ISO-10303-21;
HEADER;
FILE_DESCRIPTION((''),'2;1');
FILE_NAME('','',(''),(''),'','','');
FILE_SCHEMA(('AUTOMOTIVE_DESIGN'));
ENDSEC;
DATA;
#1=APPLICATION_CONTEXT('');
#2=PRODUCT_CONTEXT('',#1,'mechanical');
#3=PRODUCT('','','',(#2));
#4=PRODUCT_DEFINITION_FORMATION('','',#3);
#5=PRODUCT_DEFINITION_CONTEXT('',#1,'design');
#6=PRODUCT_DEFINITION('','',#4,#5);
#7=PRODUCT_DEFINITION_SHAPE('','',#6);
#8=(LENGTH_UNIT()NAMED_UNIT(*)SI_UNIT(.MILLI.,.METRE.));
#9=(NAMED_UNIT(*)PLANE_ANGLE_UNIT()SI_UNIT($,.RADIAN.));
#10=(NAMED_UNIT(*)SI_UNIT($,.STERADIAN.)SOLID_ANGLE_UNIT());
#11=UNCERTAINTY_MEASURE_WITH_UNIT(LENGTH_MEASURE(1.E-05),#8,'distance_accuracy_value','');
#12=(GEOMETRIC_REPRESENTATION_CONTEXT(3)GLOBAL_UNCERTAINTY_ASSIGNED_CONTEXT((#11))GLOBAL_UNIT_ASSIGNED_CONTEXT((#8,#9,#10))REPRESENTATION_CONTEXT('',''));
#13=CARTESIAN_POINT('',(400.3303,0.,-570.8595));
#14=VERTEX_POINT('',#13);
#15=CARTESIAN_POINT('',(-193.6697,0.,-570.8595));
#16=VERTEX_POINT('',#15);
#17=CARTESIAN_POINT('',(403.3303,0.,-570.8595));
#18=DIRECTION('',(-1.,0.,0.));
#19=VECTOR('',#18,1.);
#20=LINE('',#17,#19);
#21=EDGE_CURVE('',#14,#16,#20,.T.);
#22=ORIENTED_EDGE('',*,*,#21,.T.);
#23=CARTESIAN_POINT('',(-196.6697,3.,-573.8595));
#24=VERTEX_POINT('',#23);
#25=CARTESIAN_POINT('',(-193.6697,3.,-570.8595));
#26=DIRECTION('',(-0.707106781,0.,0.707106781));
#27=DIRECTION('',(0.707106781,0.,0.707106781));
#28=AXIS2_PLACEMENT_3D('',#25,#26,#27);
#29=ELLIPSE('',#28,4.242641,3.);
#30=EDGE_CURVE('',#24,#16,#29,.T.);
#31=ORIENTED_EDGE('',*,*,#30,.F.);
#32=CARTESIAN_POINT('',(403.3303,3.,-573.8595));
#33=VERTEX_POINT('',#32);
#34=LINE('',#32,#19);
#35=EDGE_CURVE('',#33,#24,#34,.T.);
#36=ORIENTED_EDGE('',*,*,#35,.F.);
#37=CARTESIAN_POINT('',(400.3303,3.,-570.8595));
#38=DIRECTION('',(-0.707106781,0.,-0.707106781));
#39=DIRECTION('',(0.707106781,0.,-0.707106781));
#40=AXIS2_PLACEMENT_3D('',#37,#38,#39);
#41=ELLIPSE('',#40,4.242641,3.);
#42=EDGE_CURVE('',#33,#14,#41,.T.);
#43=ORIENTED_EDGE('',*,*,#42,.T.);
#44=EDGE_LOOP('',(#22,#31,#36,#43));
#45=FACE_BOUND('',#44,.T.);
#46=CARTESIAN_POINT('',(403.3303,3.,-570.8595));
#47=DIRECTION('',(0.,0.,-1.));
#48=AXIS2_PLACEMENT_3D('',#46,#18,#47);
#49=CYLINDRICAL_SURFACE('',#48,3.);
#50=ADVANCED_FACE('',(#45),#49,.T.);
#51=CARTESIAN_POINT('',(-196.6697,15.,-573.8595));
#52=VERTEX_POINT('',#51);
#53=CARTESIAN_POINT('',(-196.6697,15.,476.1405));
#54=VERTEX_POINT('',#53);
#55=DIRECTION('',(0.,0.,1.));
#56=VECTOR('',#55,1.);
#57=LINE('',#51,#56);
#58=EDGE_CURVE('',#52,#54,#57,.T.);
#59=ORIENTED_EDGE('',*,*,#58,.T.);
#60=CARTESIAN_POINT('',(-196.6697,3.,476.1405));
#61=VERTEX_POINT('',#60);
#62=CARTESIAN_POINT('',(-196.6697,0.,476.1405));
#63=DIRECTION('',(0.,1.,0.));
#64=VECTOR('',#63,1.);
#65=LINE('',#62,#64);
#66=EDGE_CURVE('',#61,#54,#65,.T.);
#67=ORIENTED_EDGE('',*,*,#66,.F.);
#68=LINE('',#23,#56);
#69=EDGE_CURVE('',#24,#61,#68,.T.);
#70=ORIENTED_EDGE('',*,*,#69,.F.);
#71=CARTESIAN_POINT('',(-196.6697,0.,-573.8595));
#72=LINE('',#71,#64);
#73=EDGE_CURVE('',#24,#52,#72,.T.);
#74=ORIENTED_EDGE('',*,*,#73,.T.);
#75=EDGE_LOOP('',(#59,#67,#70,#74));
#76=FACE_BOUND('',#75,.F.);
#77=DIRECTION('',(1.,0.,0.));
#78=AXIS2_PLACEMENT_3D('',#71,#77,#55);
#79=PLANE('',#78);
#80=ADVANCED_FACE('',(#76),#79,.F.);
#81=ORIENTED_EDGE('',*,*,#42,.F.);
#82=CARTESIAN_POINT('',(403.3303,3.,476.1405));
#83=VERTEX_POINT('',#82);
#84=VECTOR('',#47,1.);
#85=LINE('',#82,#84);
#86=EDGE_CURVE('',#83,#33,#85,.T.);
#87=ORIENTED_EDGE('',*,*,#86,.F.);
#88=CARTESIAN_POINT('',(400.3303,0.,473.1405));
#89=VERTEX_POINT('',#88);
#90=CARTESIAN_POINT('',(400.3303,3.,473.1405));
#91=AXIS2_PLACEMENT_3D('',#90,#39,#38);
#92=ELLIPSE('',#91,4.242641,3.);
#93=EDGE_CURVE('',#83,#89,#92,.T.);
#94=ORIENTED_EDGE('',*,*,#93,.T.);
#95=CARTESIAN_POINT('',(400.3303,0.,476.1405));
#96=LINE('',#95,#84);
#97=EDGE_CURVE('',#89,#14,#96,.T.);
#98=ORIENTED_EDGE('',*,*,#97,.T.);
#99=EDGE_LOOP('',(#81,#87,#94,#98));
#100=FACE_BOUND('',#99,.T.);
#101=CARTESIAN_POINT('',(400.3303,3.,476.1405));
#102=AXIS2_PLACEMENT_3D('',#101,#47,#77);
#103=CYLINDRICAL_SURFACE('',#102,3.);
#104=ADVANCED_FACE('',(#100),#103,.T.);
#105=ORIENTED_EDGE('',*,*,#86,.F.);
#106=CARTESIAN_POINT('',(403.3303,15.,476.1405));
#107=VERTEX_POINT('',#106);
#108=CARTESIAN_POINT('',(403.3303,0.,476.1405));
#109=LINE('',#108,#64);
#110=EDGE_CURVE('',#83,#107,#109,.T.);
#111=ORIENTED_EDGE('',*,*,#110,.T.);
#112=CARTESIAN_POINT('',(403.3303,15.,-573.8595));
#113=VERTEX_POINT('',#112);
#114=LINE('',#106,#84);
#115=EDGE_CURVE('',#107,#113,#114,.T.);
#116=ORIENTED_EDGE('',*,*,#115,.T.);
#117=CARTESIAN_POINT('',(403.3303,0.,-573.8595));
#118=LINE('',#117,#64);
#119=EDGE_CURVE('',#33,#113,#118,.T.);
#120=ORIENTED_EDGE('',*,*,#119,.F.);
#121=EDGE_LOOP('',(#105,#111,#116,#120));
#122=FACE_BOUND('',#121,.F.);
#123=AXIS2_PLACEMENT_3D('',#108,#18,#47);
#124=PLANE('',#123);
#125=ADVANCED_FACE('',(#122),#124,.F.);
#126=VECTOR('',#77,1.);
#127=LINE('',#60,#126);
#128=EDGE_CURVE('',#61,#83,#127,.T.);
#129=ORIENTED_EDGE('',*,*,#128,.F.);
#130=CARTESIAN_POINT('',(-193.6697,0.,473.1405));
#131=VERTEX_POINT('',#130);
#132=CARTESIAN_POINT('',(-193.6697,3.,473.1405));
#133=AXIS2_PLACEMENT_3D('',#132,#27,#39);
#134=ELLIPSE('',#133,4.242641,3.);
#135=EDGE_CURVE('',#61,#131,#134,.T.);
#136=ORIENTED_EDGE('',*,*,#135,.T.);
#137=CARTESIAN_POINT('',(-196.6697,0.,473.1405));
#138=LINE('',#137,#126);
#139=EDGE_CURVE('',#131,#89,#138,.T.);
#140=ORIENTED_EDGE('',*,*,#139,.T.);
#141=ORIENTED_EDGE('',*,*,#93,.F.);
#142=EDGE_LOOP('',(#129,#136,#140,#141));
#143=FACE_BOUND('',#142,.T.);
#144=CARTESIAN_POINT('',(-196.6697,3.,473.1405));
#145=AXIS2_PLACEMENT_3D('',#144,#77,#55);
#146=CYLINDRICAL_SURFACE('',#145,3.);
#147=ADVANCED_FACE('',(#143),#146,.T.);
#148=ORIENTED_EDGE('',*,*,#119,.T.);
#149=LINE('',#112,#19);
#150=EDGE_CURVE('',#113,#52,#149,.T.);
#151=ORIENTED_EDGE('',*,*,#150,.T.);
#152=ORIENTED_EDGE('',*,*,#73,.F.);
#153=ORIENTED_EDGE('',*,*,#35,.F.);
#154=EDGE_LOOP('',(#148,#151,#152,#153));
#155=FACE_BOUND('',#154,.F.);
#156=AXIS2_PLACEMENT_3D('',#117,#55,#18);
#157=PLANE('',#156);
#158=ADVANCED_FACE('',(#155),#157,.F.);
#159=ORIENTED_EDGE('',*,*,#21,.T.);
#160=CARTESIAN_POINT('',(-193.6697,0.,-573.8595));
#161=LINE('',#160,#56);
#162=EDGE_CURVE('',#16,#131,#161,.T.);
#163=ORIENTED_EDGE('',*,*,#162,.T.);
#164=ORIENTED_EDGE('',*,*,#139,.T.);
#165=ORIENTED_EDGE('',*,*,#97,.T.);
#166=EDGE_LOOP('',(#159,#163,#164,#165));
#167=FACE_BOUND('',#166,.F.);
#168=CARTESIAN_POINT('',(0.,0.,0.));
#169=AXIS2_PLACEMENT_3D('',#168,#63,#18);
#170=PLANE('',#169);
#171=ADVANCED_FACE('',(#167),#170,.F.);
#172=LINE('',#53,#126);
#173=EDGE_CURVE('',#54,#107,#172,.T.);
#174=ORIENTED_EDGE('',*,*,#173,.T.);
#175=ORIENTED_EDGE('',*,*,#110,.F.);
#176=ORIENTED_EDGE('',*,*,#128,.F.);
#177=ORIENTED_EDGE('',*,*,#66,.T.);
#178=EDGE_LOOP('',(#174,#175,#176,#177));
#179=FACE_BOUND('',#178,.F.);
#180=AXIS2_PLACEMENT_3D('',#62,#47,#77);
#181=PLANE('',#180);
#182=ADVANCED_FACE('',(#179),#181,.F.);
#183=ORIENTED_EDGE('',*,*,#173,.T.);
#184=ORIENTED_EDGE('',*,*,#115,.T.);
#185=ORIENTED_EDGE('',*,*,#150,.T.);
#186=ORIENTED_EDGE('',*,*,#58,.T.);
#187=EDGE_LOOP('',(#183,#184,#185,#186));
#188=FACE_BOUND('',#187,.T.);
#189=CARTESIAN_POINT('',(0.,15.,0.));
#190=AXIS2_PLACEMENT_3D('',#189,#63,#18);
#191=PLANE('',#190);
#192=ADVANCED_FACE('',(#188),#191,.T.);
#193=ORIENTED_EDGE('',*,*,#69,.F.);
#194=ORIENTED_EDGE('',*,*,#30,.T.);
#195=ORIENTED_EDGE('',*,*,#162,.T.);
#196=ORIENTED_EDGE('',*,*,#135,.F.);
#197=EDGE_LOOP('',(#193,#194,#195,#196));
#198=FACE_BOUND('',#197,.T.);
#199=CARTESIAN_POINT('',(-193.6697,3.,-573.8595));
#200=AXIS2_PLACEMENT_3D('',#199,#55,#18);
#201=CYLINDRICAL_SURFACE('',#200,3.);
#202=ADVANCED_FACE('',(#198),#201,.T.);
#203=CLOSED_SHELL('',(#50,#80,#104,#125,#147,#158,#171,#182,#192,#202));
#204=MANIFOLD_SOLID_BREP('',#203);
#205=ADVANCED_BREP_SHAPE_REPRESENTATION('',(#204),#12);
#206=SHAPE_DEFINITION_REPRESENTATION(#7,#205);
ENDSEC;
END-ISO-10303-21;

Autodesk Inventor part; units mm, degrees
ref_plane "YZ Plane" through (0, 0, 0) normal (1, 0, 0) x (0, 1, 0)
ref_plane "XZ Plane" through (0, 0, 0) normal (0, 1, 0) x (-1, 0, 0)
ref_plane "XY Plane" through (0, 0, 0) normal (0, 0, 1) x (1, 0, 0)
sketch "Sketch1" plane through (0, 0, 0) normal (0, 1, 0) x (-1, 0, 0)
  line L0 (196.6697, 476.1405) -> (-403.3303, 476.1405)
  line L1 (-403.3303, 476.1405) -> (-403.3303, -573.8595)
  line L2 (-403.3303, -573.8595) -> (196.6697, -573.8595)
  line L3 (196.6697, -573.8595) -> (196.6697, 476.1405)
  point P0 (0, 0)
  dimension "d0" = 1050
  dimension "d1" = 600
extrude "Extrusion1" add sketch "Sketch1" along normal blind 15
fillet "Fillet1" radius 3 4 edges at (403.3303, 0, -48.8595) (103.3303, 0, 476.1405) (-196.6697, 0, -48.8595) (103.3303, 0, -573.8595)
properties part number "adapter" material "Wood Flooring"
